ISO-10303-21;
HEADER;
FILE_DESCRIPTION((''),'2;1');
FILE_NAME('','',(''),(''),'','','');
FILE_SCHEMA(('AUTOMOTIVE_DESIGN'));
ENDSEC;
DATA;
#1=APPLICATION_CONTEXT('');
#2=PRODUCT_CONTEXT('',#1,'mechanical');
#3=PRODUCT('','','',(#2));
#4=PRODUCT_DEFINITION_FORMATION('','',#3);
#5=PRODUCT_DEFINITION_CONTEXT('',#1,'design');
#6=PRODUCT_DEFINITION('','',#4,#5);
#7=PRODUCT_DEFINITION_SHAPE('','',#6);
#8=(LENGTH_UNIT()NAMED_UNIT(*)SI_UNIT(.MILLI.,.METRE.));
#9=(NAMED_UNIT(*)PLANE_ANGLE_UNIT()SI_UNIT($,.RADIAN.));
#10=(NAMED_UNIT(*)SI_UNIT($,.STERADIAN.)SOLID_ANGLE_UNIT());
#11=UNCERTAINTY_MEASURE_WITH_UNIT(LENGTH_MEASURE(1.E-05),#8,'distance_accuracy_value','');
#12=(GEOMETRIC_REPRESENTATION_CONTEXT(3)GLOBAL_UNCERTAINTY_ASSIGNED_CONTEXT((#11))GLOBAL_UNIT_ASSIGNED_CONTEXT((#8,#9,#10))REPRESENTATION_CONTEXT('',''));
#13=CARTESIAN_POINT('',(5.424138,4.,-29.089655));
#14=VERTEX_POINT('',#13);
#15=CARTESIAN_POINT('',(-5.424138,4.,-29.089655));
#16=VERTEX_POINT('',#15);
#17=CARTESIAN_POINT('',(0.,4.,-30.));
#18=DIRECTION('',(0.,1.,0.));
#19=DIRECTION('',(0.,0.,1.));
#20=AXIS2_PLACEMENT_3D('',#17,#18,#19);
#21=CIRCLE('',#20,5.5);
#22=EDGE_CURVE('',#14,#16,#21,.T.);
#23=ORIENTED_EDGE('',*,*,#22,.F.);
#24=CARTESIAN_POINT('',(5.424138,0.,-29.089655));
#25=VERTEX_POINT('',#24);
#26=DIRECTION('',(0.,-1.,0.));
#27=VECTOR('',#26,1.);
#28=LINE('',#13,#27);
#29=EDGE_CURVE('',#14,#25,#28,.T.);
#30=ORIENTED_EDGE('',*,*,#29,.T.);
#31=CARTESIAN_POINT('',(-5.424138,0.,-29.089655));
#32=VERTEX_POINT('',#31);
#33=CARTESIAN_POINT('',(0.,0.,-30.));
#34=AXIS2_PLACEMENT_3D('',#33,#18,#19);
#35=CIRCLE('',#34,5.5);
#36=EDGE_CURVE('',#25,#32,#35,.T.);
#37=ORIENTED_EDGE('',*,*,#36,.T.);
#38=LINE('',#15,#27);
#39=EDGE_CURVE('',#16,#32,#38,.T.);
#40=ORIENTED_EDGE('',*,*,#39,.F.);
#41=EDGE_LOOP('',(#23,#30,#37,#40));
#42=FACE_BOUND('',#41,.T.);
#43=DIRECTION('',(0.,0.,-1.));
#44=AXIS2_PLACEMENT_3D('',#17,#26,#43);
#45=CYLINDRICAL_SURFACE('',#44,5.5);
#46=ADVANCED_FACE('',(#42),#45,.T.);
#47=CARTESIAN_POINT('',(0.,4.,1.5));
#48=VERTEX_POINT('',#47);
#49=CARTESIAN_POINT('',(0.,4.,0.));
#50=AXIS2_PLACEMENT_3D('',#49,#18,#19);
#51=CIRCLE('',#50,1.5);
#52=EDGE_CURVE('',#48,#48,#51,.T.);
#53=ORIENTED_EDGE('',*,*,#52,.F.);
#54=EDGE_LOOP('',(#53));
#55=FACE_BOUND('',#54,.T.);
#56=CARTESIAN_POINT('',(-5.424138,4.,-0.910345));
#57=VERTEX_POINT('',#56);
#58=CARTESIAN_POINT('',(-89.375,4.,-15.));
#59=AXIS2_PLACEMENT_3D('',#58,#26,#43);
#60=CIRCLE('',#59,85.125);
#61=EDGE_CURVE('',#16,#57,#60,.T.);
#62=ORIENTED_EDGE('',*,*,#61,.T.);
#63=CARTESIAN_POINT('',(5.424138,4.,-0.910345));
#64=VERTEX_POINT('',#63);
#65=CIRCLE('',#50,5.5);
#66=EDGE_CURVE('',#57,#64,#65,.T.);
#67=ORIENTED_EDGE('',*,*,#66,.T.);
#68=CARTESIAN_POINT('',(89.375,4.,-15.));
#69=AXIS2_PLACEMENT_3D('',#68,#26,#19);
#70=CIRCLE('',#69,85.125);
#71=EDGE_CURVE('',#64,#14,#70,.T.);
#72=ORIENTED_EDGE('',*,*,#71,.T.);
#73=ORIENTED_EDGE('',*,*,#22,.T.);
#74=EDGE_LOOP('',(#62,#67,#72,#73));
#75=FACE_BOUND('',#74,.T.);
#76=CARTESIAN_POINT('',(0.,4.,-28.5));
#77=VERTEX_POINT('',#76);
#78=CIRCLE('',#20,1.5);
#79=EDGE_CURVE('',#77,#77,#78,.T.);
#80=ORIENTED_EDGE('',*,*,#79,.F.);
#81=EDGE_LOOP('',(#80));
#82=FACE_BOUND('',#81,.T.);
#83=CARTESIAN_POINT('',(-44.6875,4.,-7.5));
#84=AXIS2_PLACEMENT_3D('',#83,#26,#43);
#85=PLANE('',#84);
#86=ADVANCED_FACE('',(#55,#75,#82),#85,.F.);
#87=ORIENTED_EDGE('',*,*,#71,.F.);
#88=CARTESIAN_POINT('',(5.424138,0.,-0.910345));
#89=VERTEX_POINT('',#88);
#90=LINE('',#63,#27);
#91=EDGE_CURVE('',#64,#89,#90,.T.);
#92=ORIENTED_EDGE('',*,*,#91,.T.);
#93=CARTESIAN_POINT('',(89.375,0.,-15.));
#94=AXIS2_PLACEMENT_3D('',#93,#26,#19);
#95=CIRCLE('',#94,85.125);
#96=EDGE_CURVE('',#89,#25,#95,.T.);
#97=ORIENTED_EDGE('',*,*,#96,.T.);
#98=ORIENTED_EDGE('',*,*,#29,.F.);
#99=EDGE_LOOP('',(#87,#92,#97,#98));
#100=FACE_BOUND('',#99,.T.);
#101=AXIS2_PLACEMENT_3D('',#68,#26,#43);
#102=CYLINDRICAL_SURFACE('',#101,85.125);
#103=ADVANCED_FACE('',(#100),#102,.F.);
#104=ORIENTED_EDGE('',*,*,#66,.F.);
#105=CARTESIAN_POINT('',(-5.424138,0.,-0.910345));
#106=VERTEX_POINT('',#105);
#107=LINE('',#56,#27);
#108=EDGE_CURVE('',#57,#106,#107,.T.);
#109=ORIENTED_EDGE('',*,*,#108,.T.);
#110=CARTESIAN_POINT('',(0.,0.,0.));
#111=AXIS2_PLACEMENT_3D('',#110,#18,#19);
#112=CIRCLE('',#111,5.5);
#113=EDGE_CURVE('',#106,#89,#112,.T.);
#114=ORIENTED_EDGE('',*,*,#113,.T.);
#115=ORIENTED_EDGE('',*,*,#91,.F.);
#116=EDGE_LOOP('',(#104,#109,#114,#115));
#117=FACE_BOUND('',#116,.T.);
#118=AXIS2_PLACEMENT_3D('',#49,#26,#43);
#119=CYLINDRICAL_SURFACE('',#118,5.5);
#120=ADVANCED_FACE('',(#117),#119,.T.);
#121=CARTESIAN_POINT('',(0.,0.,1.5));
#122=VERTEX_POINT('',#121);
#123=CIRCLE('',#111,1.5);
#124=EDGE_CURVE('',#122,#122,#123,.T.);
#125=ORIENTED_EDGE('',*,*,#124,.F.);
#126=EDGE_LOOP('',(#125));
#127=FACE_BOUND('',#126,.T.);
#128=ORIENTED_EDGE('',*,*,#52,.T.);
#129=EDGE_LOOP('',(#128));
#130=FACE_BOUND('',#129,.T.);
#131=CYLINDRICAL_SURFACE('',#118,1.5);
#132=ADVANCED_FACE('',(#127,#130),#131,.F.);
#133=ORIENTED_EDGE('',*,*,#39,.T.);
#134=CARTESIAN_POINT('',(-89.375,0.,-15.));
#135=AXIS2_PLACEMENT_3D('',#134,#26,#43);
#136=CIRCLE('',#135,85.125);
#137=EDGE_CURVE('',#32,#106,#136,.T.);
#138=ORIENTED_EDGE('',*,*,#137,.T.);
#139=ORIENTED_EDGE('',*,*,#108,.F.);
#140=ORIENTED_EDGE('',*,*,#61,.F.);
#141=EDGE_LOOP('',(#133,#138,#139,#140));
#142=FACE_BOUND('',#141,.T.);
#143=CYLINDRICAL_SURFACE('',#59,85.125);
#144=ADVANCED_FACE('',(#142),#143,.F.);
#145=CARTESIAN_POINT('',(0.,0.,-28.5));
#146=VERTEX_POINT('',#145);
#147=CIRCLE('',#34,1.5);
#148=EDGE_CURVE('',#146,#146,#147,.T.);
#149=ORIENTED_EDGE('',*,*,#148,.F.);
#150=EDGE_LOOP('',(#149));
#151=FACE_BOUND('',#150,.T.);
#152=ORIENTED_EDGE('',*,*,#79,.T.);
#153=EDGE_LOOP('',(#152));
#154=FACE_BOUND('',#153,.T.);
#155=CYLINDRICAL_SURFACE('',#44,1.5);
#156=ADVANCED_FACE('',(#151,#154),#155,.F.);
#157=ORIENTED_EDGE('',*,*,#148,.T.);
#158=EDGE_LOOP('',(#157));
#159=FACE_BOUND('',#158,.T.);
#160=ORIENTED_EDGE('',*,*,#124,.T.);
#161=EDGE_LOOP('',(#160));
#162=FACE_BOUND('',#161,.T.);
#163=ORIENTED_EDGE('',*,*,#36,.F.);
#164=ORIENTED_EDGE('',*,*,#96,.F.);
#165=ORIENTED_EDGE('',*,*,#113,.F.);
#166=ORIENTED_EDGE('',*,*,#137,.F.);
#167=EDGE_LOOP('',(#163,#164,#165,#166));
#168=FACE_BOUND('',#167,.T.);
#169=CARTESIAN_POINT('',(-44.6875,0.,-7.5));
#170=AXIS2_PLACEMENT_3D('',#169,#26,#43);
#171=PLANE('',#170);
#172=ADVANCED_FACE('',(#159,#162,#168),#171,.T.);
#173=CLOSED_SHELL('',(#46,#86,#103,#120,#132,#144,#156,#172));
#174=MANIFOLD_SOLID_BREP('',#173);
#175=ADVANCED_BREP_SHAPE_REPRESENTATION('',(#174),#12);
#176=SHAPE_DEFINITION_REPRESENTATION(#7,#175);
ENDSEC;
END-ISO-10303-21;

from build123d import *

# Parameters (mm, degrees)
SKETCH1_R           = 1.5
BOSS_EXTRUDE1_DEPTH = 4


with BuildPart() as part:
    # Sketch1 → Boss-Extrude1 (new body)
    with BuildSketch(Plane(origin=(0, 0, 0), x_dir=(1, 0, 0), z_dir=(0, 1, 0))):
        with BuildLine():
            ThreePointArc((-5.424137931, 0.910344828), (0, -5.5), (5.424137931, 0.910344828))
            ThreePointArc((5.424137931, 0.910344828), (4.25, 15), (5.424137931, 29.089655172))
            ThreePointArc((5.424137931, 29.089655172), (0, 35.5), (-5.424137931, 29.089655172))
            ThreePointArc((-5.424137931, 29.089655172), (-4.25, 15), (-5.424137931, 0.910344828))
        make_face()
        Circle(SKETCH1_R, mode=Mode.SUBTRACT)
        with Locations((0, 30)):
            Circle(SKETCH1_R, mode=Mode.SUBTRACT)
    extrude(amount=BOSS_EXTRUDE1_DEPTH)


solid = part.part
